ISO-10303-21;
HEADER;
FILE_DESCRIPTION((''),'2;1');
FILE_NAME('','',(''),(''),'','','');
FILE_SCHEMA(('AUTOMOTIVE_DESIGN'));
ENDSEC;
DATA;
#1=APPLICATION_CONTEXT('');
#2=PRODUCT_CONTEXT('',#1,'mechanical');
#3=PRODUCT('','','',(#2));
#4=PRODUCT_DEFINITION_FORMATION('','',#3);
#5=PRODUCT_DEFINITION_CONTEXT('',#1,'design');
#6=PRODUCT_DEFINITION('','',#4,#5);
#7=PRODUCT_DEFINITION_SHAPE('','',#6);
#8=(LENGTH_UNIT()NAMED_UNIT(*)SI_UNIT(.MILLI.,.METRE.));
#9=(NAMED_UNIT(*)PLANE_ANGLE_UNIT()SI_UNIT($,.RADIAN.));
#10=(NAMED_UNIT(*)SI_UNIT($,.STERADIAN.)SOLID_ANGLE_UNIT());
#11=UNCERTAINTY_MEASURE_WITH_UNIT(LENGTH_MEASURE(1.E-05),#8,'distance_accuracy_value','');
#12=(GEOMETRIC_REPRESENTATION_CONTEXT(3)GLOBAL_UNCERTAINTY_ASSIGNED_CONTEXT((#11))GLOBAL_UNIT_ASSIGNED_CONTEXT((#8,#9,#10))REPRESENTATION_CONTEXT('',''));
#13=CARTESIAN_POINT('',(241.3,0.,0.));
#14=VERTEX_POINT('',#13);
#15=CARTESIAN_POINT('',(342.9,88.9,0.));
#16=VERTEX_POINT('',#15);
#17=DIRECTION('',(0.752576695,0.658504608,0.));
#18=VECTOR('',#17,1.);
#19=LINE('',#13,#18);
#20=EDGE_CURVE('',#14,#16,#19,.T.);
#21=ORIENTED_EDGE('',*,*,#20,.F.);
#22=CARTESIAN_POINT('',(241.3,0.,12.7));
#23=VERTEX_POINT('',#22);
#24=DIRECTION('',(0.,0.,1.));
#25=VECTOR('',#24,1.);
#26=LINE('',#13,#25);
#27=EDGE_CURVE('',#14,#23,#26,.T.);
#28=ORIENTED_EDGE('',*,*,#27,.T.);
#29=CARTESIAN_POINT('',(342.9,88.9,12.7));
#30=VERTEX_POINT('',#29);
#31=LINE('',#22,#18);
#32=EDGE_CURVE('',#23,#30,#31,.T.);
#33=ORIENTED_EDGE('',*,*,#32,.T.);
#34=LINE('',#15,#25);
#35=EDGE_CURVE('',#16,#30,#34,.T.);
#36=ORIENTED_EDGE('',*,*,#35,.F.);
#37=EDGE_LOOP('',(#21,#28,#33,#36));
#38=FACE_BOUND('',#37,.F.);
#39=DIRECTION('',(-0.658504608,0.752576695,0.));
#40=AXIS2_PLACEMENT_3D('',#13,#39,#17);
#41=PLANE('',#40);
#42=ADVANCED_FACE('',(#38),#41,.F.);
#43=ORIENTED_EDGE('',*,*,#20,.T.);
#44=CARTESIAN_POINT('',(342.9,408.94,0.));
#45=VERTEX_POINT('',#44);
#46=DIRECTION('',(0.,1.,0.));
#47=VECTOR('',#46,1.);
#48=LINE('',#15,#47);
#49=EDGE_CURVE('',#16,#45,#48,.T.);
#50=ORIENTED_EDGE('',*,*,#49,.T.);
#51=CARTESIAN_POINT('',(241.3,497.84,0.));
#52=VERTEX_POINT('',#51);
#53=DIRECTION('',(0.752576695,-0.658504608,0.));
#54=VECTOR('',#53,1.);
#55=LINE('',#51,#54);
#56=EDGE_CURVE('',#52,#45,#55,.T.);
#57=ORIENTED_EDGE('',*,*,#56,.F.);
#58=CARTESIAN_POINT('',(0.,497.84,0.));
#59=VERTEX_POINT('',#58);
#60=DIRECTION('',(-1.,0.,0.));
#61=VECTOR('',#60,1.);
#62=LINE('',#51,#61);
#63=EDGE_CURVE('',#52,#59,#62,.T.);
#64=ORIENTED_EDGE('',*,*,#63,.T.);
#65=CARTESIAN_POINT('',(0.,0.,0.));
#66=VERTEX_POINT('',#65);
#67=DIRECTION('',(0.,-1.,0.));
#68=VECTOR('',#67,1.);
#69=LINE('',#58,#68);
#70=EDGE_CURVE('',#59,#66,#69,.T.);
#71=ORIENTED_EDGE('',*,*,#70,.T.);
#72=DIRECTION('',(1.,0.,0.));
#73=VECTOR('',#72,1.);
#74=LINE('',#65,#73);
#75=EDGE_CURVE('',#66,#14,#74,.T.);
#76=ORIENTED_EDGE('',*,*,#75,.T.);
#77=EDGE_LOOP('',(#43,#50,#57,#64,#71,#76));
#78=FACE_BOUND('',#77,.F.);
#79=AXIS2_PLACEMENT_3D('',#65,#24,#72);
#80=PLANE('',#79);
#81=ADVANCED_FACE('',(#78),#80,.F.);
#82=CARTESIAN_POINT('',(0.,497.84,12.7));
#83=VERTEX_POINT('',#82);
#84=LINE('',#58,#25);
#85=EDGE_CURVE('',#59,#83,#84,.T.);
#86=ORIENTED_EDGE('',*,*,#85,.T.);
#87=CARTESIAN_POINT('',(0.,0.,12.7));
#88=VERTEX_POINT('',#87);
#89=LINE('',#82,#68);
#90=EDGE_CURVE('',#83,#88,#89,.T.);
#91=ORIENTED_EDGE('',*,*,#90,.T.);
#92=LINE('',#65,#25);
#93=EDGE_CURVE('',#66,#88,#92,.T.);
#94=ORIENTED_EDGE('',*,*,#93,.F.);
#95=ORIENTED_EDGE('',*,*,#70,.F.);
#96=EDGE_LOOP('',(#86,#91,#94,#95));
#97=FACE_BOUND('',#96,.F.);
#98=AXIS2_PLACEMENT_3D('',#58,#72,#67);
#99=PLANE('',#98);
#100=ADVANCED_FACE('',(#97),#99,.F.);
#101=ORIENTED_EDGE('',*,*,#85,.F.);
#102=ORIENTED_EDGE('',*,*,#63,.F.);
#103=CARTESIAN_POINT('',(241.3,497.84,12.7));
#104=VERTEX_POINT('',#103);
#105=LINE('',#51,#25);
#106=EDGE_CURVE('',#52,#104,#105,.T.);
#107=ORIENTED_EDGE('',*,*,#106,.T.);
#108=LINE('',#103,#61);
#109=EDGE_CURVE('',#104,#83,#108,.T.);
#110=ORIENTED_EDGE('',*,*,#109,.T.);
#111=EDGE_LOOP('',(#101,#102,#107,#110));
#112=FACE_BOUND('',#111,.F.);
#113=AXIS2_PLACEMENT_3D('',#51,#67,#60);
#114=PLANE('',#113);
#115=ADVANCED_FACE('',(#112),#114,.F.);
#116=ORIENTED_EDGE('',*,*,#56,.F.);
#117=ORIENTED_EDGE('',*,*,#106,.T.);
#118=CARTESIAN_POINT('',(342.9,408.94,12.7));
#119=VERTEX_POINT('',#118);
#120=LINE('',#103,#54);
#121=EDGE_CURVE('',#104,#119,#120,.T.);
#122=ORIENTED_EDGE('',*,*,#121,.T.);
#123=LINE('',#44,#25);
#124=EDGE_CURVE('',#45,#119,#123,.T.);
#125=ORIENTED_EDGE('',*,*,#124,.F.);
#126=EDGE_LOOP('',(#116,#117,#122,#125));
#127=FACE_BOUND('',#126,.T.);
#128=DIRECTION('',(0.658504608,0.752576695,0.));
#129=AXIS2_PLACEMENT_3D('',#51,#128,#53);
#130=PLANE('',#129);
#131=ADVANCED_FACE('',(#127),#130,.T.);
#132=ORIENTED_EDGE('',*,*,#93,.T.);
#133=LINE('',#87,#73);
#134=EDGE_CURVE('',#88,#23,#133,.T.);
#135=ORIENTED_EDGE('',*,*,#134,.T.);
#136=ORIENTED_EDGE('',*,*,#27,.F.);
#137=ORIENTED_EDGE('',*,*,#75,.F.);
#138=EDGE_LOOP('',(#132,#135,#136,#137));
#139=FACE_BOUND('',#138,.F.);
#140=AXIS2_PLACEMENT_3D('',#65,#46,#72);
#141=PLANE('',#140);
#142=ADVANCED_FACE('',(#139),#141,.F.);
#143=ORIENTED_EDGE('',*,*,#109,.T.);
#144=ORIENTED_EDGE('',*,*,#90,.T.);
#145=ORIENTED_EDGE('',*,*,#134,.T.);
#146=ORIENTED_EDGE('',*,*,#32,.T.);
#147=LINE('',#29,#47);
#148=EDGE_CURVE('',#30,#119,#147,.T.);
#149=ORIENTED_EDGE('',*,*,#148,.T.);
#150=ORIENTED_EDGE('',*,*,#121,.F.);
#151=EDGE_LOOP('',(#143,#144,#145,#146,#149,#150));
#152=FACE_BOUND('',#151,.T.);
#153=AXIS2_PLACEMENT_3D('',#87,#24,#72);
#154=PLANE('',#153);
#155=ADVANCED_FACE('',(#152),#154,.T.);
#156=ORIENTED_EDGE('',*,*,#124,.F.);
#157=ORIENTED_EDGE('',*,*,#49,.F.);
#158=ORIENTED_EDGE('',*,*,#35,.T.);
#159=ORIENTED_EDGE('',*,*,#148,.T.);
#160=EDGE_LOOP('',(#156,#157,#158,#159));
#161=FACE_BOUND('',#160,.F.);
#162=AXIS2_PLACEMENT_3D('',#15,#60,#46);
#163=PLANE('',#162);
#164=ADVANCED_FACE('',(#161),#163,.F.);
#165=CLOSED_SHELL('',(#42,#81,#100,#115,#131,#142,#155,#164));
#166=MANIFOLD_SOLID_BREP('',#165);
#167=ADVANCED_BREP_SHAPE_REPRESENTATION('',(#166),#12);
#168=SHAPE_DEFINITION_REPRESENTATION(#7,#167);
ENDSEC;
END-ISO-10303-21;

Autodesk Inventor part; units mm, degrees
ref_plane "YZ Plane" through (0, 0, 0) normal (1, 0, 0) x (0, 1, 0)
ref_plane "XZ Plane" through (0, 0, 0) normal (0, 1, 0) x (-1, 0, 0)
ref_plane "XY Plane" through (0, 0, 0) normal (0, 0, 1) x (1, 0, 0)
sketch "Sketch1" plane through (0, 0, 0) normal (0, 0, 1) x (1, 0, 0)
  line L0 (0, 0) -> (241.3, 0)
  line L1 (0, 497.84) -> (0, 0)
  line L2 (241.3, 0) -> (342.9, 88.9)
  line L3 (342.9, 88.9) -> (342.9, 408.94)
  line L4 (241.3, 497.84) -> (342.9, 408.94)
  line L5 (241.3, 497.84) -> (0, 497.84)
  dimension "d9" = 342.9
  dimension "d10" = 88.9
  dimension "d11" = 88.9
  dimension "d13" = 101.6
  dimension "d14" = 101.6
extrude "Extrusion1" add sketch "Sketch1" along normal blind 12.7
properties part number "Slope" material "Wood (Oak)"
